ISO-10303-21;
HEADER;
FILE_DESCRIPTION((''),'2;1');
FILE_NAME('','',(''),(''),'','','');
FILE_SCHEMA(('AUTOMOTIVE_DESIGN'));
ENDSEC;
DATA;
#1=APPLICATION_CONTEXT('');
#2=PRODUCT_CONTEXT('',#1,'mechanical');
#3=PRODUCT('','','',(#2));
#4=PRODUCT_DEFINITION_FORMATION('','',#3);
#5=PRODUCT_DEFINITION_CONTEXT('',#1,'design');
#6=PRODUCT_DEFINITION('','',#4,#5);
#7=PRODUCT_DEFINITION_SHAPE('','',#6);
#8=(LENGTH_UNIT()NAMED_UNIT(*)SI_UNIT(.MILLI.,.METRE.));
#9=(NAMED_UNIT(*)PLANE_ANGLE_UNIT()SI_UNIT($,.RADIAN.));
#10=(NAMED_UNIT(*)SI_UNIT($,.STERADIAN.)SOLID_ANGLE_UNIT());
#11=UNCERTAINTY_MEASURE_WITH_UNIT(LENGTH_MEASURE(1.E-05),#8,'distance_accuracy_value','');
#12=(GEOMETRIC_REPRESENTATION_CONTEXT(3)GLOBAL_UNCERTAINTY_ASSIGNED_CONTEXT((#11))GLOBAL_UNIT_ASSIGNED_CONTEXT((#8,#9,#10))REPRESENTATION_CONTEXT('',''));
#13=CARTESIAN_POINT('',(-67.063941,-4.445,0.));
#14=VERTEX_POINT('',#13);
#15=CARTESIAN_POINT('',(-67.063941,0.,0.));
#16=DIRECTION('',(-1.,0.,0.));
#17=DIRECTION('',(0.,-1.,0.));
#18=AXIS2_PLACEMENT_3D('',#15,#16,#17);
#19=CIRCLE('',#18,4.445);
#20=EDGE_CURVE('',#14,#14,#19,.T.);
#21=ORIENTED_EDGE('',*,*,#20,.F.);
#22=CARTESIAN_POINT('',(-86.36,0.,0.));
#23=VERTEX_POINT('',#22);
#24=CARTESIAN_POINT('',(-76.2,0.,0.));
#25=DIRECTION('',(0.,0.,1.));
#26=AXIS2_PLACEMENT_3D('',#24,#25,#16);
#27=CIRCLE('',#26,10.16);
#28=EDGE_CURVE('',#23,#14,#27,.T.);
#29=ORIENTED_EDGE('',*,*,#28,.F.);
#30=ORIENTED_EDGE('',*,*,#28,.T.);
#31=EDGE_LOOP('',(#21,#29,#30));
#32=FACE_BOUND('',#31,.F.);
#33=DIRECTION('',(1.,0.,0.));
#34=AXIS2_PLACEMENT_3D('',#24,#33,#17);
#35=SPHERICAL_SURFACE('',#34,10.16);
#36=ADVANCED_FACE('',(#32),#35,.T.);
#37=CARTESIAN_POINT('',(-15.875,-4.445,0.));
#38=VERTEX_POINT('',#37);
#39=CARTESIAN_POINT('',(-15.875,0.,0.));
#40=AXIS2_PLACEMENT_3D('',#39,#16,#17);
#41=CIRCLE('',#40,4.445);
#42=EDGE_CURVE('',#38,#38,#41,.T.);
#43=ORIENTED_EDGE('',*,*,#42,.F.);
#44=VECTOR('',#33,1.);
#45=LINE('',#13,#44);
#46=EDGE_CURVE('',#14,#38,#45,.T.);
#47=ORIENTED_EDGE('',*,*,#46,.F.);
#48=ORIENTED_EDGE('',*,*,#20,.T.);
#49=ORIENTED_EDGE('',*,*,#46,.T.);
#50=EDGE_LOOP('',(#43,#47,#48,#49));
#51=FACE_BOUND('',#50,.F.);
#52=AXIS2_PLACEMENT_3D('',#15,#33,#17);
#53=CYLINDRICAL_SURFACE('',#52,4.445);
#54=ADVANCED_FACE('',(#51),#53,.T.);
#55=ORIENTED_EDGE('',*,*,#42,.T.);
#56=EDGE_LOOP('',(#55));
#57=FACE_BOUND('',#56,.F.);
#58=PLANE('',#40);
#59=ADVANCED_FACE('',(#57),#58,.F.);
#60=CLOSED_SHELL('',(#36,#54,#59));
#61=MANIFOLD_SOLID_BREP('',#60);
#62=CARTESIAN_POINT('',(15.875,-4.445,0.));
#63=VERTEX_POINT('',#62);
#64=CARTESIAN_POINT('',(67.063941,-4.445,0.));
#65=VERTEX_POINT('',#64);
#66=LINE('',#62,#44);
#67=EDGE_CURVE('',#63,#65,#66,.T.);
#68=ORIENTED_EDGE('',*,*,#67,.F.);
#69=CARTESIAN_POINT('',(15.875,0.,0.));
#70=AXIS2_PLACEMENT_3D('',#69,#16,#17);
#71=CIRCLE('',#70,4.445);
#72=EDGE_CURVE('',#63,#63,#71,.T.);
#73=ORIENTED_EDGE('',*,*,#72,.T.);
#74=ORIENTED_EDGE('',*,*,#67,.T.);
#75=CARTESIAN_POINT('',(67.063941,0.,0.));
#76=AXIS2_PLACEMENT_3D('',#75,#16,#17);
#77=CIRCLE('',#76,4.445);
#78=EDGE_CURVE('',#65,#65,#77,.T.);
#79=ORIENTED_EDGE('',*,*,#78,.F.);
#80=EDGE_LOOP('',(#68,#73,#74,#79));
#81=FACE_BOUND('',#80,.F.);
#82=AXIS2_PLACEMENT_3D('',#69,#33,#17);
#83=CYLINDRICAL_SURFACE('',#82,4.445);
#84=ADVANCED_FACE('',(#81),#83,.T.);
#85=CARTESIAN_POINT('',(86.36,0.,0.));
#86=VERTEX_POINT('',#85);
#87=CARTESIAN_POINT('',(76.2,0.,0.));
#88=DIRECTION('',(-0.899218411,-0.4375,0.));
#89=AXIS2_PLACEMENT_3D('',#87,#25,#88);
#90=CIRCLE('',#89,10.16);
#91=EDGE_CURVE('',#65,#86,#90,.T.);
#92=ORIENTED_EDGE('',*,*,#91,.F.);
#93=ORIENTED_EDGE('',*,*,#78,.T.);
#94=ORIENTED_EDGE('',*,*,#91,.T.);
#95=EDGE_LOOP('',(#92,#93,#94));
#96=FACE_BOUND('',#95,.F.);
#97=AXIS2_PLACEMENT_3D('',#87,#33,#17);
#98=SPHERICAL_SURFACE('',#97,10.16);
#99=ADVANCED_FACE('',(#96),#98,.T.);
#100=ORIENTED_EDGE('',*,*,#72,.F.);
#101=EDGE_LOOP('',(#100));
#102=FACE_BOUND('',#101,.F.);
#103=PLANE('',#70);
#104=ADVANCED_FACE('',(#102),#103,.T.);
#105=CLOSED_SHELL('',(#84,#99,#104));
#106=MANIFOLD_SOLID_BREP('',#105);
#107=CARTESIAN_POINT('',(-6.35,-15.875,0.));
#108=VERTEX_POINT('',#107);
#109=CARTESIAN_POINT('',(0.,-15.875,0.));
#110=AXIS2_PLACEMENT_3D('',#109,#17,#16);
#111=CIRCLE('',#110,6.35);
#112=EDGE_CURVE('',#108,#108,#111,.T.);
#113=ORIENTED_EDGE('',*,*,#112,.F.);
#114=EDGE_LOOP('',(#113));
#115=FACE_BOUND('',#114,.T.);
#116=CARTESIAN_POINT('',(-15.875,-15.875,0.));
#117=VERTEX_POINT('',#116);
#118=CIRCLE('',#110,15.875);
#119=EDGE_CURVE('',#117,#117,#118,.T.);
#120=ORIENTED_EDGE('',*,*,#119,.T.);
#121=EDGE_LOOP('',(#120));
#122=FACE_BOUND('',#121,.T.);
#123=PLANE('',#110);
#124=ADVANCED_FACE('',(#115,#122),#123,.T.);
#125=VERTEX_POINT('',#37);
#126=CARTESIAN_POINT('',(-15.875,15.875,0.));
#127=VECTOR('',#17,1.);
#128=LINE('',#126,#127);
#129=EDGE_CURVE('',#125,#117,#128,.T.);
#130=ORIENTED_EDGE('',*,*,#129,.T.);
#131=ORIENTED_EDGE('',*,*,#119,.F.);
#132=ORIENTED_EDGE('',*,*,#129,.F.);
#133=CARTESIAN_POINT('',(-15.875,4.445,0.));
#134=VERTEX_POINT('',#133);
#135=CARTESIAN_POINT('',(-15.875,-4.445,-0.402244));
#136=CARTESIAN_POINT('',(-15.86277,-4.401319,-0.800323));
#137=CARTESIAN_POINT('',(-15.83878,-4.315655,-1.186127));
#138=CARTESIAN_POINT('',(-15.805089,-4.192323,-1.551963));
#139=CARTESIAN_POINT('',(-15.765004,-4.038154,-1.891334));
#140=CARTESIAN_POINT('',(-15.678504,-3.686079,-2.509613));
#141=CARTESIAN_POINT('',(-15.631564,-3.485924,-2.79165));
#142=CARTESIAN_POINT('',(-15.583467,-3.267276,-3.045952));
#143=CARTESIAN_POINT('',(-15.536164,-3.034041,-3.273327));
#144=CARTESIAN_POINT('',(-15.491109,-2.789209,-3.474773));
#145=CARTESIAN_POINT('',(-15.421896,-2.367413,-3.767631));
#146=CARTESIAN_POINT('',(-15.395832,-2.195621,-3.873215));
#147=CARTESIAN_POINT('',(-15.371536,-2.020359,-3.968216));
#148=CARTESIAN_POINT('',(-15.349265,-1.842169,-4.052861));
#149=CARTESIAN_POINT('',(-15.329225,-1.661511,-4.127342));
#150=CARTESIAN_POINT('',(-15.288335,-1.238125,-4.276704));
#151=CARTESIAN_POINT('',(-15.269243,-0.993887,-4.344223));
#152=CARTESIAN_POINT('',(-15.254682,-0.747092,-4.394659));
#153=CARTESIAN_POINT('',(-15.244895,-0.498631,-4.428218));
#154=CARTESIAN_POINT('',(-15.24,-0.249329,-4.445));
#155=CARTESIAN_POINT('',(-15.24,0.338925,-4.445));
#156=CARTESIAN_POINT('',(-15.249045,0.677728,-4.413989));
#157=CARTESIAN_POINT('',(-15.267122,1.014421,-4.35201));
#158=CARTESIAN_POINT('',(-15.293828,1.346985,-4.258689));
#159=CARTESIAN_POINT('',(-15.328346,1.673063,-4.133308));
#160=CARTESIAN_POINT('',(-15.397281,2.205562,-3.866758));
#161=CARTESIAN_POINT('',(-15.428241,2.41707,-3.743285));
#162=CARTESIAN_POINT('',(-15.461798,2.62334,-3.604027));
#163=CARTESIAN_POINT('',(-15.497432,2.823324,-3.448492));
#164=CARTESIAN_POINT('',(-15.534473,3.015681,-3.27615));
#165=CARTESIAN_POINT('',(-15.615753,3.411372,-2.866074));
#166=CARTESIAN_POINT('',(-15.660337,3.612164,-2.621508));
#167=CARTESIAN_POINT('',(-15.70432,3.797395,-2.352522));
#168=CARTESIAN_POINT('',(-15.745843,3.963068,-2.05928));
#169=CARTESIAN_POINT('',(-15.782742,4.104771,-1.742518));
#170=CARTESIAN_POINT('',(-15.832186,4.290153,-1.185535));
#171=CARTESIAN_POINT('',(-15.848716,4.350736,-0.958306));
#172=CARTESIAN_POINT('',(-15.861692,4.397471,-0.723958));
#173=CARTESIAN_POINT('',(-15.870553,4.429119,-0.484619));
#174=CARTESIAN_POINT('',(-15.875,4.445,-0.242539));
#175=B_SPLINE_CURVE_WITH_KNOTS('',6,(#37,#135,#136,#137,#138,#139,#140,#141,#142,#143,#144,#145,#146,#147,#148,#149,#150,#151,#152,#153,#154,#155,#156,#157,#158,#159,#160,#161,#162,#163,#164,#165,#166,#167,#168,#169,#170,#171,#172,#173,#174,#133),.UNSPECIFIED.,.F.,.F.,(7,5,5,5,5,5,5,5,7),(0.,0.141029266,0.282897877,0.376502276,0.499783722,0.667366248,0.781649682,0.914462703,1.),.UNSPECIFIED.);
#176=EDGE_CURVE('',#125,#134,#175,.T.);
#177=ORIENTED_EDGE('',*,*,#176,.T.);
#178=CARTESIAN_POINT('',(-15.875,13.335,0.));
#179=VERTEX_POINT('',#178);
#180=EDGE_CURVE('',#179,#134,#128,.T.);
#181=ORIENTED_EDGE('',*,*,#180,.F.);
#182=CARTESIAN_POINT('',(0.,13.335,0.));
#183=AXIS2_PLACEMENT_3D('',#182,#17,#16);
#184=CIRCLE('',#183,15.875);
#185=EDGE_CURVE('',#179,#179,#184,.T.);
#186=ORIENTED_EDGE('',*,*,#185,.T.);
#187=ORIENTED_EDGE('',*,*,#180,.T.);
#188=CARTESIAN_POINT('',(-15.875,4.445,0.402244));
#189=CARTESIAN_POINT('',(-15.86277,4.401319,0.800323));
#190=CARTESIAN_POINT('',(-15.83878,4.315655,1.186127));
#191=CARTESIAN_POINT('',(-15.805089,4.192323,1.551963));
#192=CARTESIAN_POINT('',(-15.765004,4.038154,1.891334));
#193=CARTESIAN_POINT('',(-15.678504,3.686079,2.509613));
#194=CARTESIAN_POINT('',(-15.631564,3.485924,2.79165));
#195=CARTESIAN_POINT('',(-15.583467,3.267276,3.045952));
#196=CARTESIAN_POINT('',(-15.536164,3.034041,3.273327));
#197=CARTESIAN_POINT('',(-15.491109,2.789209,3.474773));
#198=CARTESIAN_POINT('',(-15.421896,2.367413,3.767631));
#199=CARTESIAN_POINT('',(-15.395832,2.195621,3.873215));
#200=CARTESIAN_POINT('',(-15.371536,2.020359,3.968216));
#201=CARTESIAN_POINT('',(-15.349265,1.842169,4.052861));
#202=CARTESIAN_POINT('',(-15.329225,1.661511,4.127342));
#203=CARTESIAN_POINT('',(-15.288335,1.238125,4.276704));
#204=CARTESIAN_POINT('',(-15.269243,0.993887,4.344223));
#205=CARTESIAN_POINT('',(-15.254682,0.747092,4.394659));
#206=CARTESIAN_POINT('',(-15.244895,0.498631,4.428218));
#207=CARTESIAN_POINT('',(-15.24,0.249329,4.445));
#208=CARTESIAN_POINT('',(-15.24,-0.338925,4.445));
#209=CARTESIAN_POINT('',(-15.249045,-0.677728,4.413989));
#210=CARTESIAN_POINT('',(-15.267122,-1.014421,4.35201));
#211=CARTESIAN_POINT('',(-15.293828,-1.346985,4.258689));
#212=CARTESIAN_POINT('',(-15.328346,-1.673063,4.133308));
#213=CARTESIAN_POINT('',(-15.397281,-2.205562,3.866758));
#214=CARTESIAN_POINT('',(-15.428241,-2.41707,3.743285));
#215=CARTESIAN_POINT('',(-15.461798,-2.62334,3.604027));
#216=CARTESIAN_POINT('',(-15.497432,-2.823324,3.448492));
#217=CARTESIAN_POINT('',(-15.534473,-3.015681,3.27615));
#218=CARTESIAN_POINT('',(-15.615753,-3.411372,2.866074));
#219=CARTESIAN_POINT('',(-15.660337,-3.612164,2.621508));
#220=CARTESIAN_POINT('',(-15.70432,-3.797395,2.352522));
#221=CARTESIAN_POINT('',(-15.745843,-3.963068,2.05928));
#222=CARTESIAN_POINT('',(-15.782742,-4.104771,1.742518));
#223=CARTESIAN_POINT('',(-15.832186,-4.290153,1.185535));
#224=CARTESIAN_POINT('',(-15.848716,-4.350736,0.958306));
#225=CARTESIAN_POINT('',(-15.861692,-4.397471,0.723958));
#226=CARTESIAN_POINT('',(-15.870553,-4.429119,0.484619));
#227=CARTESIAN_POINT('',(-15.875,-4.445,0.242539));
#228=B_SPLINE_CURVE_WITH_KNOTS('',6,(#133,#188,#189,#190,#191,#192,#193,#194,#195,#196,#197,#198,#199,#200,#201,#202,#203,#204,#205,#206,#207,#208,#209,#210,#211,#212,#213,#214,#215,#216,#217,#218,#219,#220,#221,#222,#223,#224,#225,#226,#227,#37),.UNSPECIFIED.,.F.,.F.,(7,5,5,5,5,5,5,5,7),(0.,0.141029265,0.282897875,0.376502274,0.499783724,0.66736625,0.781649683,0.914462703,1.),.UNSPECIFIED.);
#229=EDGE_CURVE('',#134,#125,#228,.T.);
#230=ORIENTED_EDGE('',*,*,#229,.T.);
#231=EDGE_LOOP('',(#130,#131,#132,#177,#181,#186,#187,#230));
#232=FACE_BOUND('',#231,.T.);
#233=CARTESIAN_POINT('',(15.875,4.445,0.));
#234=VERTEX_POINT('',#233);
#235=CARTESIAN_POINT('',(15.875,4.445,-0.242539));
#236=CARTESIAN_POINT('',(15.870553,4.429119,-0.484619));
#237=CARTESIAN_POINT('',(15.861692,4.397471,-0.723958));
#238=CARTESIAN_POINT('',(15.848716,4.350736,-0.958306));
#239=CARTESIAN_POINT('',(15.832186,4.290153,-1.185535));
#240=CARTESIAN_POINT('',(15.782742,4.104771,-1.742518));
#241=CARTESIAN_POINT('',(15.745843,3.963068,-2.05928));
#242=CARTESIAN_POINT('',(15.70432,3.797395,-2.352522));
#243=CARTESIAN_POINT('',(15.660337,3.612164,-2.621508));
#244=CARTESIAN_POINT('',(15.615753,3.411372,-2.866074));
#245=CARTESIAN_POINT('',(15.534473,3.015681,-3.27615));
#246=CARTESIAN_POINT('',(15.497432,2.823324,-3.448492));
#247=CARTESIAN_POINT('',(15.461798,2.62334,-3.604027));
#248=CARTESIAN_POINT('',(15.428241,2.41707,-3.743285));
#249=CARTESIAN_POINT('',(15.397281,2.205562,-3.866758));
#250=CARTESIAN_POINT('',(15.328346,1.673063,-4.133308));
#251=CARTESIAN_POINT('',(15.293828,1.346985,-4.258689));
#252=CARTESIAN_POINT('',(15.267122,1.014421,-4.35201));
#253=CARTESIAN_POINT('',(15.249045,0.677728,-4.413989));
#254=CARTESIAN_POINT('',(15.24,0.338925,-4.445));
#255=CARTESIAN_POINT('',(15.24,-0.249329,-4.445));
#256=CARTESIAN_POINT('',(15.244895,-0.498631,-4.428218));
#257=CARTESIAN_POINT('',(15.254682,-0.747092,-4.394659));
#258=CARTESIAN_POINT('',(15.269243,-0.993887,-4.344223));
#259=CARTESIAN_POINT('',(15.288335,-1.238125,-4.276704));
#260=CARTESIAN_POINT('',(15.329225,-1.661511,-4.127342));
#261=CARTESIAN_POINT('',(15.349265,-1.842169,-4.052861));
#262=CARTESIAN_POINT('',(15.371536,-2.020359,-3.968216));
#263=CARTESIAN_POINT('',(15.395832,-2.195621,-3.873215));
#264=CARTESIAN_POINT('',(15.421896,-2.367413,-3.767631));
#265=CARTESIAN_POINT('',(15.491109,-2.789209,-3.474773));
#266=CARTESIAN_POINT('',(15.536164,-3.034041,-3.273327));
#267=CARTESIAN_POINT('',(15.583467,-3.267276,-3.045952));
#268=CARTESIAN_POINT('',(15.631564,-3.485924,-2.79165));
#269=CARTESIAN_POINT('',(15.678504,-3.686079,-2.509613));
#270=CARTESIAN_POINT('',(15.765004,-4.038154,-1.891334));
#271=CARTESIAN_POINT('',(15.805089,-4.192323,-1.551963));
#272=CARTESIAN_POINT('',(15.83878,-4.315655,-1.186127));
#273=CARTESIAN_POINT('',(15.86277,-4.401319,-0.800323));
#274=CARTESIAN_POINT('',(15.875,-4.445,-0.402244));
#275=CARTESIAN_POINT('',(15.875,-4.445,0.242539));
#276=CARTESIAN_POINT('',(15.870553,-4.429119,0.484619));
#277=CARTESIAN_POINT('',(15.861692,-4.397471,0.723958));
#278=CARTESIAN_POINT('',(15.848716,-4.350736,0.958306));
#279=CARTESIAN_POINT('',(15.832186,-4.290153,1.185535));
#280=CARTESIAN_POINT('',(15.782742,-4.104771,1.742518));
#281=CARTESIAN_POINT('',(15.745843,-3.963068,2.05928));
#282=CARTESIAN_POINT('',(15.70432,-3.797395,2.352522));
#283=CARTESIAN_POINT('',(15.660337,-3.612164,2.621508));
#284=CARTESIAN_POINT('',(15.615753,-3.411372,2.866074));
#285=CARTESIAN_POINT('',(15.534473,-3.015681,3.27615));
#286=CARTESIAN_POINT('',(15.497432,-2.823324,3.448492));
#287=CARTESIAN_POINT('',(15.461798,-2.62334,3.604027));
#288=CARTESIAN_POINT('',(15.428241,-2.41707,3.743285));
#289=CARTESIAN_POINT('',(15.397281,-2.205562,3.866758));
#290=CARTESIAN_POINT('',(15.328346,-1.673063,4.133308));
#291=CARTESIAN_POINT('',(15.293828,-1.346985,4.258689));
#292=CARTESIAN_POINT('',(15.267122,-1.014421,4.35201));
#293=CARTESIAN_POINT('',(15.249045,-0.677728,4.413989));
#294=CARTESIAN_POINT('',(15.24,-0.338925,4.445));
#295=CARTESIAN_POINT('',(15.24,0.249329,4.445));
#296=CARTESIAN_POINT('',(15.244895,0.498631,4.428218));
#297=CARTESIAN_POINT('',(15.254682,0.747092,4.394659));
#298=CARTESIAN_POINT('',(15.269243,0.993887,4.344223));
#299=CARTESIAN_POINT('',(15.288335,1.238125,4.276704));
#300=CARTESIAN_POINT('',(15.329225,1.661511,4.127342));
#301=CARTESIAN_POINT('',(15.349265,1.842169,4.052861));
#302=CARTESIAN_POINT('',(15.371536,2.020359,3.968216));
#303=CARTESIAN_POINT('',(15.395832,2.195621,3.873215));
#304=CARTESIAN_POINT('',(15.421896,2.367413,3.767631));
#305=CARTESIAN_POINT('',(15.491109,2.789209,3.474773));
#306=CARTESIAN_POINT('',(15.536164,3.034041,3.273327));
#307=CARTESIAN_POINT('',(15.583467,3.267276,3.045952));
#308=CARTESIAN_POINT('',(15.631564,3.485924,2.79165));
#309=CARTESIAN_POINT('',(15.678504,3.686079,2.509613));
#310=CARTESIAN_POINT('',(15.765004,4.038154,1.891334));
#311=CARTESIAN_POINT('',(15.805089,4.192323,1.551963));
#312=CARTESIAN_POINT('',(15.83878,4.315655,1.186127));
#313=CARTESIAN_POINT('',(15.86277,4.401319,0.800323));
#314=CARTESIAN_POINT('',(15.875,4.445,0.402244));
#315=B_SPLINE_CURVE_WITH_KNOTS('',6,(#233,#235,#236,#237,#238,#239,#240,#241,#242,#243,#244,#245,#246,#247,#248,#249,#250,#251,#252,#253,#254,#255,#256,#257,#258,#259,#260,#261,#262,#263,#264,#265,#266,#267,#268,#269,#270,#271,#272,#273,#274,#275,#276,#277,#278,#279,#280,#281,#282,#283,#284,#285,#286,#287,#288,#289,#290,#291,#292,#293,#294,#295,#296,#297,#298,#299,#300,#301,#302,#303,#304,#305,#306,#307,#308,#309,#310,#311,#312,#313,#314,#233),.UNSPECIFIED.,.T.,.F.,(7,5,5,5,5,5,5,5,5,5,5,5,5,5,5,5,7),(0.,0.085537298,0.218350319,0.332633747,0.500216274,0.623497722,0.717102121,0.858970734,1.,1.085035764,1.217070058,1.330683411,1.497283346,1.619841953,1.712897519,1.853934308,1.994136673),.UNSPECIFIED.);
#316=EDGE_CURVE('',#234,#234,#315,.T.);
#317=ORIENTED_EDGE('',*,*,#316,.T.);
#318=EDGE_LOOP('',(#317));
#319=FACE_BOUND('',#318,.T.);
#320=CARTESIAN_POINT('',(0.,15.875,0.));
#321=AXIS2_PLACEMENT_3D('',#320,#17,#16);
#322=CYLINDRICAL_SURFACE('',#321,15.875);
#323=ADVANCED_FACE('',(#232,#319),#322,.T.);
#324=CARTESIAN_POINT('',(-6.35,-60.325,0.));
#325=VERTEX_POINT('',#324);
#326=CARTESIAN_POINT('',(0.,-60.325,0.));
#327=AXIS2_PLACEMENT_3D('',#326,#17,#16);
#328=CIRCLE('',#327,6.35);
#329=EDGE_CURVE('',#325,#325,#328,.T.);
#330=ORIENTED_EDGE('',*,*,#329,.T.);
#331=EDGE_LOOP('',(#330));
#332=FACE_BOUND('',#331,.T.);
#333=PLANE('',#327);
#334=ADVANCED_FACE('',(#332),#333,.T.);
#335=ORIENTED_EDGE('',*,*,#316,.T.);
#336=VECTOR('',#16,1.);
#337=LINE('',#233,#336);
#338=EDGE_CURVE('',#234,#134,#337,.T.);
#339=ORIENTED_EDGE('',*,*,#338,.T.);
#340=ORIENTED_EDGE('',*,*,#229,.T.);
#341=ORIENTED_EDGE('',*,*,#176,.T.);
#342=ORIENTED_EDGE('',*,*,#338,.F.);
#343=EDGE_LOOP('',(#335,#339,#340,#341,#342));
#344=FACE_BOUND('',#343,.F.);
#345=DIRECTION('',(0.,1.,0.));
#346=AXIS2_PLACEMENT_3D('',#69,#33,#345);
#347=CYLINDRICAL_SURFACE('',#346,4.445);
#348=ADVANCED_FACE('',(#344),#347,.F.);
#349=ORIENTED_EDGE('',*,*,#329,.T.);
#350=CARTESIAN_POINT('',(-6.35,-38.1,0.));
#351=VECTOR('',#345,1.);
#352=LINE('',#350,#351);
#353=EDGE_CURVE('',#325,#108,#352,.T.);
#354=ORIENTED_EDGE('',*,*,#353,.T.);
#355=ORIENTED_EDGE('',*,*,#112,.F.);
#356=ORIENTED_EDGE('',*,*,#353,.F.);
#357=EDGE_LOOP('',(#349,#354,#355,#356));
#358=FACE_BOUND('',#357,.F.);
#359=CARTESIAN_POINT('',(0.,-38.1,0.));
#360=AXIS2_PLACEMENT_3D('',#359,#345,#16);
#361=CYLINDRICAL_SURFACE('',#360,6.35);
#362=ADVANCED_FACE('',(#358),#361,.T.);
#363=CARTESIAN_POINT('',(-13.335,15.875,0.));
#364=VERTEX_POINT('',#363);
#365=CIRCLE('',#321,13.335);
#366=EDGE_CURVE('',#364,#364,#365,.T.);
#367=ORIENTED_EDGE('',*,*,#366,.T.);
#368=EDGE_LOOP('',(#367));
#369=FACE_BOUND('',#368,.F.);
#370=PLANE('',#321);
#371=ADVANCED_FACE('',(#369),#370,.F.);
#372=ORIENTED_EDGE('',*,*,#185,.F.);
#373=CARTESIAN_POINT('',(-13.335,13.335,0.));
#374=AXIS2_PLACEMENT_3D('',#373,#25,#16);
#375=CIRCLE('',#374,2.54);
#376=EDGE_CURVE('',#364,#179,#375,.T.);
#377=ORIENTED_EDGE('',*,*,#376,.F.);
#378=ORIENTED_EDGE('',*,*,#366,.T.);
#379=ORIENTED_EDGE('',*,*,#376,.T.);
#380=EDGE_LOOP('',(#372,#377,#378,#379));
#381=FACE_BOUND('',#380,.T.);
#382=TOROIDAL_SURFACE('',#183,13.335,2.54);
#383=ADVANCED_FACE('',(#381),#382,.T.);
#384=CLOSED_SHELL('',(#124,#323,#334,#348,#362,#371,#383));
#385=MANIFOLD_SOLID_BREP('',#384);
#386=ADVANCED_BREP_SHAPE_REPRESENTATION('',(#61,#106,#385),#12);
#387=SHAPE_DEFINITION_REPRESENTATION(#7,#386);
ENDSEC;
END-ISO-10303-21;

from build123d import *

# Parameters (mm, degrees)
F0_W     = 15.875
F0_H     = 15.875
F0_H_2   = 4.445
F0_W_2   = 6.35
F0_H_3   = 44.45
F3_R     = 4.445
F4_DEPTH = 31.75
F6_R     = 2.54


with BuildPart() as f1:
    # F0 (on Top) → F1 (revolve)
    with BuildSketch(Plane.XY):
        with Locations((-7.9375, 7.9375)):
            Rectangle(F0_W, F0_H)
        with Locations((-7.9375, -2.2225)):
            Rectangle(F0_W, F0_H_2)
        Polygon((0, -4.445), (-15.875, -4.445), (-15.875, -15.875), (-6.35, -15.875), (0, -15.875), align=None)
        with Locations((-3.175, -38.1)):
            Rectangle(F0_W_2, F0_H_3)
    revolve(axis=Axis((0, -38.3570967242, 0), (0, -1, 0)))

    # F3 (on offset) → F4 (cut)
    with BuildSketch(Plane.YZ.offset(15.875)):
        Circle(F3_R)
    extrude(amount=-F4_DEPTH, mode=Mode.SUBTRACT)

    # F6
    f6_edges = [f1.edges().sort_by_distance(p)[0] for p in [
        (15.875, 15.875, 0),
    ]]
    fillet(f6_edges, radius=F6_R)


with BuildPart() as f5:
    # F0 (on Top) → F5 (revolve)
    with BuildSketch(Plane.XY):
        with BuildLine():
            Line((66.04, 0), (15.875, 0))
            Line((15.875, 0), (15.875, -4.445))
            Line((15.875, -4.445), (67.0639409481, -4.445))
            ThreePointArc((67.0639409481, -4.445), (78.4807060346, -9.9007060346), (86.36, 0))
            Line((86.36, 0), (66.04, 0))
        make_face()
    revolve(axis=Axis((40.9575, 0, 0), (-1, 0, 0)))


with BuildPart() as f5b:
    # F0 (on Top) → F5, piece 2 (revolve)
    with BuildSketch(Plane.XY):
        with BuildLine():
            Line((-15.875, 0), (-66.04, 0))
            Line((-66.04, 0), (-86.36, 0))
            ThreePointArc((-86.36, 0), (-78.4807060346, -9.9007060346), (-67.0639409481, -4.445))
            Line((-67.0639409481, -4.445), (-15.875, -4.445))
            Line((-15.875, -4.445), (-15.875, 0))
        make_face()
    revolve(axis=Axis((40.9575, 0, 0), (-1, 0, 0)))


solid = Compound([f1.part, f5.part, f5b.part])
